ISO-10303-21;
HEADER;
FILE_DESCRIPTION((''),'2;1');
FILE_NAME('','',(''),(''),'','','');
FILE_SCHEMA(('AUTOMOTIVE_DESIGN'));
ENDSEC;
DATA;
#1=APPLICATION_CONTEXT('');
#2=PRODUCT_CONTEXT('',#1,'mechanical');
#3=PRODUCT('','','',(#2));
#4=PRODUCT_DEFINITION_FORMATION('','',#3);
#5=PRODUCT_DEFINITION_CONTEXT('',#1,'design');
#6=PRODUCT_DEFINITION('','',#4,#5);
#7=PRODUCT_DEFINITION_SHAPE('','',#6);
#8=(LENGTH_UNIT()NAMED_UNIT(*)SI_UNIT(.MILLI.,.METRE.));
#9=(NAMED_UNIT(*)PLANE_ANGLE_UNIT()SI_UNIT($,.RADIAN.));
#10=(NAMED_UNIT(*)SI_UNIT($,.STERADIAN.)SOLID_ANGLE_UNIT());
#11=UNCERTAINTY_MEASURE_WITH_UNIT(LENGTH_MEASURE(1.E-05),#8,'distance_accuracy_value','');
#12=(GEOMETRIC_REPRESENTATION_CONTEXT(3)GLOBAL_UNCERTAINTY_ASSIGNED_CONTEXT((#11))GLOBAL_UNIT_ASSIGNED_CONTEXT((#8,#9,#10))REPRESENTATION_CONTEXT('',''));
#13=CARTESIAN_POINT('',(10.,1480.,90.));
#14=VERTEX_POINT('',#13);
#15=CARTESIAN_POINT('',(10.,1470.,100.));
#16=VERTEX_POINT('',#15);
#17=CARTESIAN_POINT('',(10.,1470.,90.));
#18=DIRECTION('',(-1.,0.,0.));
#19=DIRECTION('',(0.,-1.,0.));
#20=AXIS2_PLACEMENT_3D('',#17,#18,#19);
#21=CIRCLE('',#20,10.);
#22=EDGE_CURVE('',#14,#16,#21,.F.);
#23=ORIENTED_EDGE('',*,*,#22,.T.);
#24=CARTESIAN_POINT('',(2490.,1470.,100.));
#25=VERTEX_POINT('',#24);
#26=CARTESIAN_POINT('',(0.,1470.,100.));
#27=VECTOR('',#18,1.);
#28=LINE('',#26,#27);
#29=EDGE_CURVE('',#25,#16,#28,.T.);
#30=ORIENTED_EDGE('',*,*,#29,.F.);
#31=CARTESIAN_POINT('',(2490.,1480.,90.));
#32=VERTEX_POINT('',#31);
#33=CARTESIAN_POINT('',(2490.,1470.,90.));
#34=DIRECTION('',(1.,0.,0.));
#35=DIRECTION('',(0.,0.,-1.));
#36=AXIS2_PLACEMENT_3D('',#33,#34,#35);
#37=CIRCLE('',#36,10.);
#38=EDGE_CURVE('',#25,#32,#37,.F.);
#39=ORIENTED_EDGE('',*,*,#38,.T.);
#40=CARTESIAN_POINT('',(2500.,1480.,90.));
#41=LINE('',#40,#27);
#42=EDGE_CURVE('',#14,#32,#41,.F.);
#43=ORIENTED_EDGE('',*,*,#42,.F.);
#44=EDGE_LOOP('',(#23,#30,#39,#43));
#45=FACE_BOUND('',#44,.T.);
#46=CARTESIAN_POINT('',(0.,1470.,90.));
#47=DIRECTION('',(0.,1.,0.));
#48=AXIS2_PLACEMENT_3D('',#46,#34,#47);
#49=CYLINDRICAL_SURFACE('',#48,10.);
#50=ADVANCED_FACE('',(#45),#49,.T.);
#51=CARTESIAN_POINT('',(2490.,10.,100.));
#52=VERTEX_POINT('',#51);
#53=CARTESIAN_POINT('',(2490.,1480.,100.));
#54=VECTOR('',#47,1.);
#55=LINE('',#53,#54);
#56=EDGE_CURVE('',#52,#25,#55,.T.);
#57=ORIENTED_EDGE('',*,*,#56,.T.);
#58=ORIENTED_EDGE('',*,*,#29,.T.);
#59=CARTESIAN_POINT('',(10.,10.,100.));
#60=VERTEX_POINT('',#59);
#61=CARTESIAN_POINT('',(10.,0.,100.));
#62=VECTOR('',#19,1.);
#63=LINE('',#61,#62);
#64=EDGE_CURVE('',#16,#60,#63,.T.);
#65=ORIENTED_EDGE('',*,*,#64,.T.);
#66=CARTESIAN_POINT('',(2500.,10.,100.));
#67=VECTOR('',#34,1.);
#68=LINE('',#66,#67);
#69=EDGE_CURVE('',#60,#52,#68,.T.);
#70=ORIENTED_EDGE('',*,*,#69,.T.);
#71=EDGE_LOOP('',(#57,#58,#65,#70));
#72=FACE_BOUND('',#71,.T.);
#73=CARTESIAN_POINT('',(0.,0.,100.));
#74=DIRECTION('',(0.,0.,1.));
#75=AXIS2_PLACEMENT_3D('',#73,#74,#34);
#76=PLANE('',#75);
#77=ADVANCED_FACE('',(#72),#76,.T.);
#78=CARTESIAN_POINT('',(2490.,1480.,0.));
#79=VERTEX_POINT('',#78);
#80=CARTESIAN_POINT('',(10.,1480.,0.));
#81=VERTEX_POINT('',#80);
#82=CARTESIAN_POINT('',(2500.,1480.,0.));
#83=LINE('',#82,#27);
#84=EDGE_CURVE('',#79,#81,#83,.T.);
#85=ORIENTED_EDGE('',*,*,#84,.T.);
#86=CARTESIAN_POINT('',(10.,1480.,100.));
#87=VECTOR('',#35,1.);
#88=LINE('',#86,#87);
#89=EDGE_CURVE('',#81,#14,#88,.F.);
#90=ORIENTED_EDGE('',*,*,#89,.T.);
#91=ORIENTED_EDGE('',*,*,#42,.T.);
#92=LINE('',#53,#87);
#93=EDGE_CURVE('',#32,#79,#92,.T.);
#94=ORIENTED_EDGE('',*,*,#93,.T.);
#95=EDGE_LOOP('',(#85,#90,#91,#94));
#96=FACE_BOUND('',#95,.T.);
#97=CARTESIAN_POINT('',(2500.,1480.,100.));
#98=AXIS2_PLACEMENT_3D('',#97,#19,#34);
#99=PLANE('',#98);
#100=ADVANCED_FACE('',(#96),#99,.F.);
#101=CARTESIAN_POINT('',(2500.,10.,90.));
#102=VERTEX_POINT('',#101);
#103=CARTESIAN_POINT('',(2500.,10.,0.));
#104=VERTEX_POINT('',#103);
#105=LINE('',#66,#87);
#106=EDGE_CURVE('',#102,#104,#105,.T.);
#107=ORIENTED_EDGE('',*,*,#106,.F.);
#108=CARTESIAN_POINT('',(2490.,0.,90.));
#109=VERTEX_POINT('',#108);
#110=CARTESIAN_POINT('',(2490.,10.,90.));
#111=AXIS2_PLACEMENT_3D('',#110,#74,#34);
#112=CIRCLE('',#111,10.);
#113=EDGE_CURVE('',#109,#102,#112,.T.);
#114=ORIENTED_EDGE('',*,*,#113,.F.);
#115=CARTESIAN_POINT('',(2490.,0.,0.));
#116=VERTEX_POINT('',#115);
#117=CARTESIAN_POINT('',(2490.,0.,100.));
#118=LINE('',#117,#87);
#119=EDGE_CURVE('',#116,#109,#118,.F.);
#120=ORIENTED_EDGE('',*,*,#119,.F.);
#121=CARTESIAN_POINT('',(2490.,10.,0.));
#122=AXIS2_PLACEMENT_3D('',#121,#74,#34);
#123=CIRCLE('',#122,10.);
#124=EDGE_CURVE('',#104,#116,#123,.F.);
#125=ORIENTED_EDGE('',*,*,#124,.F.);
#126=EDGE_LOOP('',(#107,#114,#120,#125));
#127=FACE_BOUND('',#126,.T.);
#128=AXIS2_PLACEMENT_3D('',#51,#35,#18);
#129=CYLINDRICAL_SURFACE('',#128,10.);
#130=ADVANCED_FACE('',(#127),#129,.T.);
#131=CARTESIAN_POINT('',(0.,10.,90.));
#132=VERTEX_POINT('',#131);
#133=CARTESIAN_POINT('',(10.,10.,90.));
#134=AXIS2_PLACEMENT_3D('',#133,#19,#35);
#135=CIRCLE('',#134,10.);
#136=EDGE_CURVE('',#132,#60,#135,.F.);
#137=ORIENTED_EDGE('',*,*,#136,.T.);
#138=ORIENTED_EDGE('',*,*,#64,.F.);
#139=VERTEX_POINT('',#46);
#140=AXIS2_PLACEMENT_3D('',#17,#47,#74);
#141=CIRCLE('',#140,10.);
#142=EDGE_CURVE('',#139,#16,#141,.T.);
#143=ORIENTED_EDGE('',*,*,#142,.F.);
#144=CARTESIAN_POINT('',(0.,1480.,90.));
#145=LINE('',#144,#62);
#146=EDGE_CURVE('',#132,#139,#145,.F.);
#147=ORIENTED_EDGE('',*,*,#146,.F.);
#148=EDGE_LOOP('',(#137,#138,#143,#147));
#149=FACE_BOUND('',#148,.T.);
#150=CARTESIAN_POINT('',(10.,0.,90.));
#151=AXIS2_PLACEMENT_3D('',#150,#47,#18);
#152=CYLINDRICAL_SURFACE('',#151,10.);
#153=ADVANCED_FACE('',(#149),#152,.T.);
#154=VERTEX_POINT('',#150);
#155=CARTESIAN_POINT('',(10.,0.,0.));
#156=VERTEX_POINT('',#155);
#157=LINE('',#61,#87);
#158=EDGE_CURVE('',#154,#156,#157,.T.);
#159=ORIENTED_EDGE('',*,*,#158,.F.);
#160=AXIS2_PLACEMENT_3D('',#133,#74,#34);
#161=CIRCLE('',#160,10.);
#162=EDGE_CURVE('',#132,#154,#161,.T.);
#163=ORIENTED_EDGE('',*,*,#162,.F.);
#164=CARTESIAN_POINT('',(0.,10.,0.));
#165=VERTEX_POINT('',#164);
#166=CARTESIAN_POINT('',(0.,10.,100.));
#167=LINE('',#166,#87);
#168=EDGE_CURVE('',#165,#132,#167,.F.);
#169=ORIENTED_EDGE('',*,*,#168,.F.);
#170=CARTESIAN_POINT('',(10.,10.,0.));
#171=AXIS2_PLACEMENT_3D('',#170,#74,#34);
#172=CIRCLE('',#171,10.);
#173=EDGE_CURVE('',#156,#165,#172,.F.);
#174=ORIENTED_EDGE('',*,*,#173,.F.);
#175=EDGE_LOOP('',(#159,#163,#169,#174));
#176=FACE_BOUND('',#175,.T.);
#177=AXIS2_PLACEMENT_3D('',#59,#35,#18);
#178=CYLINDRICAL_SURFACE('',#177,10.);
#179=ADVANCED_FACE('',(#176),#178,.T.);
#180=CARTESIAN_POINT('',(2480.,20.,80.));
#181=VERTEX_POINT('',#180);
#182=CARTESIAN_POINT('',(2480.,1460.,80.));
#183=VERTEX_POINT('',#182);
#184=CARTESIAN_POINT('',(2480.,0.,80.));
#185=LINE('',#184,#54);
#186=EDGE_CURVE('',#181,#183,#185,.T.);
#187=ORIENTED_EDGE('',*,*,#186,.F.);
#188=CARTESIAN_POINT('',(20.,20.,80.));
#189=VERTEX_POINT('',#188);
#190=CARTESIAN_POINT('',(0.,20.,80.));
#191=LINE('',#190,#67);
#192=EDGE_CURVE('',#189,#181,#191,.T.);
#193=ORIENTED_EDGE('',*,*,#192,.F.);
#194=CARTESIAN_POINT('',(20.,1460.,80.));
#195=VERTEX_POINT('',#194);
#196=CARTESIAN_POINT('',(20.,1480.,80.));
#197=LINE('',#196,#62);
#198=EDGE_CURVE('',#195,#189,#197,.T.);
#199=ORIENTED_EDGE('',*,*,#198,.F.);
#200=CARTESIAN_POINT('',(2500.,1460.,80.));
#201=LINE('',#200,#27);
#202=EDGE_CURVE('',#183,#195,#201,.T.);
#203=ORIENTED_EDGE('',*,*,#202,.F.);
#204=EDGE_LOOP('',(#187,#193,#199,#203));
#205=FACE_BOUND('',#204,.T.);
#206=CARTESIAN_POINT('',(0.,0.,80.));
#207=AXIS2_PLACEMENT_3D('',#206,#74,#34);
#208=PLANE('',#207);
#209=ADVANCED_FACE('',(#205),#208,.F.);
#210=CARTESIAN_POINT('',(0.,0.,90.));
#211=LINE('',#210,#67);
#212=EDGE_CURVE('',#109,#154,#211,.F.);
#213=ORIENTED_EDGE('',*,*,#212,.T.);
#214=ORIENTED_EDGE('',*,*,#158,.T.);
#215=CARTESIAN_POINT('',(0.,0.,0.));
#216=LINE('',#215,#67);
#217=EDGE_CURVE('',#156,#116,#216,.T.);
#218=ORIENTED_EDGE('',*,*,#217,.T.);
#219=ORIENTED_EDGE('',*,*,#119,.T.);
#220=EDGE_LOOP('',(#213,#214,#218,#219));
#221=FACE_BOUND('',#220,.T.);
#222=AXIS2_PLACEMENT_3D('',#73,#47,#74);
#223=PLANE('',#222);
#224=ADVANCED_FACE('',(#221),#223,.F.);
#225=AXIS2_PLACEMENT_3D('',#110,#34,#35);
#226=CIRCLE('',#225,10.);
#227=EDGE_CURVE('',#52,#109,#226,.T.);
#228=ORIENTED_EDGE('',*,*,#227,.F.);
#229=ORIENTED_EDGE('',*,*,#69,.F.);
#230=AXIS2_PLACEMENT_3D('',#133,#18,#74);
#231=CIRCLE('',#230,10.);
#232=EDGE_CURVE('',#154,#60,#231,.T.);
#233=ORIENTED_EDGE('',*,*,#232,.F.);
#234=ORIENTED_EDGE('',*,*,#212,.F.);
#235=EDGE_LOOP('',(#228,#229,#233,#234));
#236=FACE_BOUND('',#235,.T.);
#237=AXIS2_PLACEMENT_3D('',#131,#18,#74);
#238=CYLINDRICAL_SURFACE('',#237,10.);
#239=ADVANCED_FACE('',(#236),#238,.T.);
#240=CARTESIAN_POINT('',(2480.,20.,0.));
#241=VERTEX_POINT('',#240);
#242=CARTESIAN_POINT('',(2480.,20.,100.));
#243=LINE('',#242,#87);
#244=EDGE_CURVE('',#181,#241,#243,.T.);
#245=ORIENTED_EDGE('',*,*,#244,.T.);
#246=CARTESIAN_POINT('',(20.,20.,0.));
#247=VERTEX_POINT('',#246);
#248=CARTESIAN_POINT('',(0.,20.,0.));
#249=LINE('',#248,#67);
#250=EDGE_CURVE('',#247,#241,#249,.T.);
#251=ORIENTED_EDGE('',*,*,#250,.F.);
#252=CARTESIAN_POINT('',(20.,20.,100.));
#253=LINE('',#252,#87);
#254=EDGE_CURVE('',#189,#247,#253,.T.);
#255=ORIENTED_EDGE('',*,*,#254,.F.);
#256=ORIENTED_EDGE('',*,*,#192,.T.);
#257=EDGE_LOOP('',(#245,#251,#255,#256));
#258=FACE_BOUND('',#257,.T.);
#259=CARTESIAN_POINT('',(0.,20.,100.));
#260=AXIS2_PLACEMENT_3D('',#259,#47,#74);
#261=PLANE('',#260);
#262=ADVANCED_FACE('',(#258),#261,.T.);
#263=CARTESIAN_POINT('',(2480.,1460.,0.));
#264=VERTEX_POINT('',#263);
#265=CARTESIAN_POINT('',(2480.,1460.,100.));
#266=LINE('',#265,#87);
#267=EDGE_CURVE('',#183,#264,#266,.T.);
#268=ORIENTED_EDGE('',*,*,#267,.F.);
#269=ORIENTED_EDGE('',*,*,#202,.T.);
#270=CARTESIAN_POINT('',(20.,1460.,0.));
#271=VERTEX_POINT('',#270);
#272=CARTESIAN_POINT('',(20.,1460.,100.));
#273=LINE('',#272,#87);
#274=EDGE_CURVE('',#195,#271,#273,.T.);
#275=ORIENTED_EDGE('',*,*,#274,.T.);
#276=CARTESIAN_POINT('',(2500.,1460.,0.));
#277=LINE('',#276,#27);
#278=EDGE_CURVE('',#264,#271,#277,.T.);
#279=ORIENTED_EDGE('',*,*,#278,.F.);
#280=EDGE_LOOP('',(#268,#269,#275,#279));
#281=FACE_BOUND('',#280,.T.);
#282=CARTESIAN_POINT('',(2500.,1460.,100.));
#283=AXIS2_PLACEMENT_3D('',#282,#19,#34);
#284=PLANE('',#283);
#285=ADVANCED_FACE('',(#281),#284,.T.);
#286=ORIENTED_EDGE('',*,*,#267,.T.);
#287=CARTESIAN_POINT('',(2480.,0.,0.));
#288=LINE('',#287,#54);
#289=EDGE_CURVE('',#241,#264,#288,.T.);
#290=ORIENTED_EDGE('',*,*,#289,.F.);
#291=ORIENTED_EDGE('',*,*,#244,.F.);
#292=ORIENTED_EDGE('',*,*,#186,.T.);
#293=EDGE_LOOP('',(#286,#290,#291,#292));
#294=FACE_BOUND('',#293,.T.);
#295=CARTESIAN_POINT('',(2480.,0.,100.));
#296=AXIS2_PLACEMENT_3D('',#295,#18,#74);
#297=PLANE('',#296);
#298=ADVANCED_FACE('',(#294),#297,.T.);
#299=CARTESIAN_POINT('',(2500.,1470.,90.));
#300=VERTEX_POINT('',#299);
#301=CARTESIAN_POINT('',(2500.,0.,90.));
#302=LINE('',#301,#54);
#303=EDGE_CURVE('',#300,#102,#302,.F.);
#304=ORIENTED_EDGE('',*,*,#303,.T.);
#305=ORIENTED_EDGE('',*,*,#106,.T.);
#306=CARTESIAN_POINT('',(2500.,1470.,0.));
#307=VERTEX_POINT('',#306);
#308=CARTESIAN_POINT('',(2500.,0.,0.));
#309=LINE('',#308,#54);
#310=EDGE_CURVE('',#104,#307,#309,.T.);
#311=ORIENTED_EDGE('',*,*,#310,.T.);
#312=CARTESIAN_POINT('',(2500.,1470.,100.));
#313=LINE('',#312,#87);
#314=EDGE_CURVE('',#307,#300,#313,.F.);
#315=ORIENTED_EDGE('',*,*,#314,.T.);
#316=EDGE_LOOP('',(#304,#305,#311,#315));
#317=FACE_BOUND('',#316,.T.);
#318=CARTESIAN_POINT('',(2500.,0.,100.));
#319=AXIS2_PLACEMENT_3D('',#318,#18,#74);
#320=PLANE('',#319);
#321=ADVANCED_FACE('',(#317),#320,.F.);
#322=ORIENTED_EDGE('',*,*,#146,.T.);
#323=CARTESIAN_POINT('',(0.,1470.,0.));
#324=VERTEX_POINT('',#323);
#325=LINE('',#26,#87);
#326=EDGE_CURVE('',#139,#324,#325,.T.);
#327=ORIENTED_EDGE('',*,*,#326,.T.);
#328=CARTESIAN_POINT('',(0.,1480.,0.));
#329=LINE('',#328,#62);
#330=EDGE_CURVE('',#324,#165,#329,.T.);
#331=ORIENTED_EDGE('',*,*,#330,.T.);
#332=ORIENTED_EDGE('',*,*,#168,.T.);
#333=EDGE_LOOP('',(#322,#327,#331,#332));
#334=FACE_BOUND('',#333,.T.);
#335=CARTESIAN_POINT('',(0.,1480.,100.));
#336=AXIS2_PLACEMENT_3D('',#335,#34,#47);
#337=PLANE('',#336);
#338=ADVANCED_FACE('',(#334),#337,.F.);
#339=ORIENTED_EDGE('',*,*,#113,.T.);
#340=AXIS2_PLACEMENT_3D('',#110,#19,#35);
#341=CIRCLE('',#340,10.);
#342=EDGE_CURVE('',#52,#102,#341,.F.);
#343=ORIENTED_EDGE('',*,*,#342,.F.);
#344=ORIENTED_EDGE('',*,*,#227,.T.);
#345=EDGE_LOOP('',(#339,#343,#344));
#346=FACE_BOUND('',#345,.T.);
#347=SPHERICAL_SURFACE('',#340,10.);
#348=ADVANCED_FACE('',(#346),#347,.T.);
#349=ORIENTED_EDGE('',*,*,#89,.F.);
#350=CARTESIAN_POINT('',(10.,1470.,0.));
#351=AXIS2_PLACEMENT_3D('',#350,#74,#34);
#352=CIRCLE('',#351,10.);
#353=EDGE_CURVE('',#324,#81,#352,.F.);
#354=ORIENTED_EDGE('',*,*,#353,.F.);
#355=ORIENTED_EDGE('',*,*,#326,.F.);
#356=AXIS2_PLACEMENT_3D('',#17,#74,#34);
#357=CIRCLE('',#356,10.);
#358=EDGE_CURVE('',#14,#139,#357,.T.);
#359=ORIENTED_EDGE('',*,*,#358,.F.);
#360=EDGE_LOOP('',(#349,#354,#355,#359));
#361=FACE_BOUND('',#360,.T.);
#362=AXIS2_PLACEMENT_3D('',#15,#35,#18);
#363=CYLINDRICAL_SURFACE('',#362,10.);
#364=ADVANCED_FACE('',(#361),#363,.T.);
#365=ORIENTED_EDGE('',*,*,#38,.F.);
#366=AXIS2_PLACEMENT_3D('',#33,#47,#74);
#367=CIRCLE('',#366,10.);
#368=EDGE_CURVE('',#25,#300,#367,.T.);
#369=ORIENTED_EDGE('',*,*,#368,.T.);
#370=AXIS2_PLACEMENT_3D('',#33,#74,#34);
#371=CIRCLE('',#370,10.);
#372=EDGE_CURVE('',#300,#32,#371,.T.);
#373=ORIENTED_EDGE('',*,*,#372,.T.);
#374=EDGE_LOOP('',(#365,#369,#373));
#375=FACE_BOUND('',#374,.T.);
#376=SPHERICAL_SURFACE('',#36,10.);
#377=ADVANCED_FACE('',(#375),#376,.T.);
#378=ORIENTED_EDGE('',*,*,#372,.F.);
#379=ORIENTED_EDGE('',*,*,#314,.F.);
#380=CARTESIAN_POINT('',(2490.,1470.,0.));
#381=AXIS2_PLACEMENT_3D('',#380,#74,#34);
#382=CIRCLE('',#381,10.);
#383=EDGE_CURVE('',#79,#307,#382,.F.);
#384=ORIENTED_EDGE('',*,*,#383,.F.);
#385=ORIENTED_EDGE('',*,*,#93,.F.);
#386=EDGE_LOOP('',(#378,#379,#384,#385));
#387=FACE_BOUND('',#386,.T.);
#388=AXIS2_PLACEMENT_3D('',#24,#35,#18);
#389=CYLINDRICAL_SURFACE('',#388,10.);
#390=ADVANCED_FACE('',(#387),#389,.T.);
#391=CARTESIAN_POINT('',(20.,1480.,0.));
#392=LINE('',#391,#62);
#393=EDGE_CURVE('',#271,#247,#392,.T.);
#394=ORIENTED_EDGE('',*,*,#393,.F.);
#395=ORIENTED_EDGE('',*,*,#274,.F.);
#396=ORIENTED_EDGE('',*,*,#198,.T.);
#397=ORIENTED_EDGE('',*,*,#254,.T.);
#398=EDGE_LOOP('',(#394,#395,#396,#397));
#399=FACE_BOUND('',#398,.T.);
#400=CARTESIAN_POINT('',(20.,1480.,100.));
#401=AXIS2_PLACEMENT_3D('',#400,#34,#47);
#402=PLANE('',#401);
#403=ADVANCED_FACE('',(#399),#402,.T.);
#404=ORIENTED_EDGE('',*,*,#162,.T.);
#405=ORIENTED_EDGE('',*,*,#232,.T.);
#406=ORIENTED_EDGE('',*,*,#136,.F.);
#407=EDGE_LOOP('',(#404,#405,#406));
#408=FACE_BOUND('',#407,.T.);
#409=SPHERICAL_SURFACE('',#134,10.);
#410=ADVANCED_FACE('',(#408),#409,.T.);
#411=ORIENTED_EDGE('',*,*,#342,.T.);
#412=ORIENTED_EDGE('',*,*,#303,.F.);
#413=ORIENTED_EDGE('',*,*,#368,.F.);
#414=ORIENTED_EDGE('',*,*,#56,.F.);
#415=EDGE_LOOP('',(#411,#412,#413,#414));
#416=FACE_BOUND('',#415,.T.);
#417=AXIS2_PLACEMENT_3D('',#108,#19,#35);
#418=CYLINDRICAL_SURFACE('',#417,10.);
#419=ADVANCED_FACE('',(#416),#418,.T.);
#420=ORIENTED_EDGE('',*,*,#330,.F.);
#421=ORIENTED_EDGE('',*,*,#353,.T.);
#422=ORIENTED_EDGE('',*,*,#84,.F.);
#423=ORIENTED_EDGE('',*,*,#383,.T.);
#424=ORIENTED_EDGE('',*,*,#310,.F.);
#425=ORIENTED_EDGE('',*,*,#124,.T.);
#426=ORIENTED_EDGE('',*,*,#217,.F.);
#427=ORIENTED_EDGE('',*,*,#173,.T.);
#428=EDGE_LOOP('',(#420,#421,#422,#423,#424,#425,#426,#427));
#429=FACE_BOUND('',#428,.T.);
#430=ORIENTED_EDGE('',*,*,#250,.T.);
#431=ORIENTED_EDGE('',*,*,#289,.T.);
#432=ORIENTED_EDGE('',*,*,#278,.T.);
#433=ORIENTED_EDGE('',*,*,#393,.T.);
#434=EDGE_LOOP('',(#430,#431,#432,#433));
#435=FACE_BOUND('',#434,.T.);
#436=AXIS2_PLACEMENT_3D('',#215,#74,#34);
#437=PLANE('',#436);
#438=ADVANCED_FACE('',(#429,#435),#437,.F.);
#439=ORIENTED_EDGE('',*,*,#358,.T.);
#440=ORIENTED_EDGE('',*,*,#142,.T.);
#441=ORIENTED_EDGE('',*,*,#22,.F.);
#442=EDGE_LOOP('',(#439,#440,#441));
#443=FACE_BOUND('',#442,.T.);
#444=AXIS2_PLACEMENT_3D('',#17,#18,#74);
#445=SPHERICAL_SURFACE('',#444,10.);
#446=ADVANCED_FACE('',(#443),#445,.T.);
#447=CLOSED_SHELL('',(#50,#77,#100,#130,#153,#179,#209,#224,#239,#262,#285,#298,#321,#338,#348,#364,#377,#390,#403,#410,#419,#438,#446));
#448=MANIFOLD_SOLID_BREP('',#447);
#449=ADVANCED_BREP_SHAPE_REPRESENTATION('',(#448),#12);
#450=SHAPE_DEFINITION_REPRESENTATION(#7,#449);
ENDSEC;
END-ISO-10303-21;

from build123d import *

# Parameters (mm, degrees)
SKETCH1_W           = 2500
SKETCH1_H           = 1480
BOSS_EXTRUDE1_DEPTH = 100
SHELL1_T            = -20
FILLET1_R           = 10


with BuildPart() as part:
    # Sketch1 → Boss-Extrude1 (new body)
    with BuildSketch(Plane.XY):
        with Locations((1250, 740)):
            Rectangle(SKETCH1_W, SKETCH1_H)
    extrude(amount=BOSS_EXTRUDE1_DEPTH)

    # Shell1
    shell1_openings = [part.faces().sort_by_distance(p)[0] for p in [
        (1250, 740, 0),
    ]]
    offset(amount=SHELL1_T, openings=shell1_openings, kind=Kind.INTERSECTION)

    # Fillet1
    fillet1_edges = [part.edges().sort_by_distance(p)[0] for p in [
        (2500, 740, 100),
        (1250, 1480, 100),
        (0, 740, 100),
        (0, 1480, 50),
        (2500, 1480, 50),
        (2500, 0, 50),
        (0, 0, 50),
        (1250, 0, 100),
    ]]
    fillet(fillet1_edges, radius=FILLET1_R)


solid = part.part
